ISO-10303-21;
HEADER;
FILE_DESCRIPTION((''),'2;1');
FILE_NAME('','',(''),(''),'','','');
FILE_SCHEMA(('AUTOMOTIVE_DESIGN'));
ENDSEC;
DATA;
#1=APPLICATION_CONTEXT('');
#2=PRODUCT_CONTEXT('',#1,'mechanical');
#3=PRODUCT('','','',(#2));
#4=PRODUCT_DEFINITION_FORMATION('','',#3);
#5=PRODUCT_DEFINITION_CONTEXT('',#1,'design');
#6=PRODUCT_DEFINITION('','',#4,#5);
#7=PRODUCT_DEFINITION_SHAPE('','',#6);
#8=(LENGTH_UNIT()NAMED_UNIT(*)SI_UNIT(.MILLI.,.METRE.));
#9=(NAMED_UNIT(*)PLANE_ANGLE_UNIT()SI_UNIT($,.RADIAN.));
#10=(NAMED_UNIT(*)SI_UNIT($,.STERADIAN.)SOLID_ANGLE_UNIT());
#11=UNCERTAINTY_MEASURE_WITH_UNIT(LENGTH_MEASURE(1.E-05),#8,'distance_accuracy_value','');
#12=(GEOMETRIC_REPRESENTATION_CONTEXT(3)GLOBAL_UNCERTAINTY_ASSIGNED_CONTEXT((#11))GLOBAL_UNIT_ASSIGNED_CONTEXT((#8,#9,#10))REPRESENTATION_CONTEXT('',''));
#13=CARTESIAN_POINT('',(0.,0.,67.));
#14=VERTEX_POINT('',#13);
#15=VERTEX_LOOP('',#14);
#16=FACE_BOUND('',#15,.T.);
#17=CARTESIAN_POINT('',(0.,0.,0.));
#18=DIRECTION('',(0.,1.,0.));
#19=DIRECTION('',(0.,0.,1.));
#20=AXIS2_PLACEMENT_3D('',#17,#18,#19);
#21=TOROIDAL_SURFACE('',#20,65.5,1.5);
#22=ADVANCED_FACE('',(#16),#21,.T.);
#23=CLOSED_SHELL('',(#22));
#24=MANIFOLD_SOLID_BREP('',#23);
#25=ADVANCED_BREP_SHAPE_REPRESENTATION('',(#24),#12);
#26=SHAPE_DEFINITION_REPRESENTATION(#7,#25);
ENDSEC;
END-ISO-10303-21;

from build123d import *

# Parameters (mm, degrees)
SZKIC1_R = 1.5


with BuildPart() as part:
    # Szkic1 → Obrót1 (revolve)
    with BuildSketch(Plane.XY, mode=Mode.PRIVATE) as obr_t1_sk:
        with Locations((-65.5, 0)):
            Circle(SZKIC1_R)
    revolve(obr_t1_sk.sketch.rotate(Axis((0, 5.536808648, 0), (0, -1, 0)), 270), axis=Axis((0, 5.536808648, 0), (0, -1, 0)))


solid = part.part
